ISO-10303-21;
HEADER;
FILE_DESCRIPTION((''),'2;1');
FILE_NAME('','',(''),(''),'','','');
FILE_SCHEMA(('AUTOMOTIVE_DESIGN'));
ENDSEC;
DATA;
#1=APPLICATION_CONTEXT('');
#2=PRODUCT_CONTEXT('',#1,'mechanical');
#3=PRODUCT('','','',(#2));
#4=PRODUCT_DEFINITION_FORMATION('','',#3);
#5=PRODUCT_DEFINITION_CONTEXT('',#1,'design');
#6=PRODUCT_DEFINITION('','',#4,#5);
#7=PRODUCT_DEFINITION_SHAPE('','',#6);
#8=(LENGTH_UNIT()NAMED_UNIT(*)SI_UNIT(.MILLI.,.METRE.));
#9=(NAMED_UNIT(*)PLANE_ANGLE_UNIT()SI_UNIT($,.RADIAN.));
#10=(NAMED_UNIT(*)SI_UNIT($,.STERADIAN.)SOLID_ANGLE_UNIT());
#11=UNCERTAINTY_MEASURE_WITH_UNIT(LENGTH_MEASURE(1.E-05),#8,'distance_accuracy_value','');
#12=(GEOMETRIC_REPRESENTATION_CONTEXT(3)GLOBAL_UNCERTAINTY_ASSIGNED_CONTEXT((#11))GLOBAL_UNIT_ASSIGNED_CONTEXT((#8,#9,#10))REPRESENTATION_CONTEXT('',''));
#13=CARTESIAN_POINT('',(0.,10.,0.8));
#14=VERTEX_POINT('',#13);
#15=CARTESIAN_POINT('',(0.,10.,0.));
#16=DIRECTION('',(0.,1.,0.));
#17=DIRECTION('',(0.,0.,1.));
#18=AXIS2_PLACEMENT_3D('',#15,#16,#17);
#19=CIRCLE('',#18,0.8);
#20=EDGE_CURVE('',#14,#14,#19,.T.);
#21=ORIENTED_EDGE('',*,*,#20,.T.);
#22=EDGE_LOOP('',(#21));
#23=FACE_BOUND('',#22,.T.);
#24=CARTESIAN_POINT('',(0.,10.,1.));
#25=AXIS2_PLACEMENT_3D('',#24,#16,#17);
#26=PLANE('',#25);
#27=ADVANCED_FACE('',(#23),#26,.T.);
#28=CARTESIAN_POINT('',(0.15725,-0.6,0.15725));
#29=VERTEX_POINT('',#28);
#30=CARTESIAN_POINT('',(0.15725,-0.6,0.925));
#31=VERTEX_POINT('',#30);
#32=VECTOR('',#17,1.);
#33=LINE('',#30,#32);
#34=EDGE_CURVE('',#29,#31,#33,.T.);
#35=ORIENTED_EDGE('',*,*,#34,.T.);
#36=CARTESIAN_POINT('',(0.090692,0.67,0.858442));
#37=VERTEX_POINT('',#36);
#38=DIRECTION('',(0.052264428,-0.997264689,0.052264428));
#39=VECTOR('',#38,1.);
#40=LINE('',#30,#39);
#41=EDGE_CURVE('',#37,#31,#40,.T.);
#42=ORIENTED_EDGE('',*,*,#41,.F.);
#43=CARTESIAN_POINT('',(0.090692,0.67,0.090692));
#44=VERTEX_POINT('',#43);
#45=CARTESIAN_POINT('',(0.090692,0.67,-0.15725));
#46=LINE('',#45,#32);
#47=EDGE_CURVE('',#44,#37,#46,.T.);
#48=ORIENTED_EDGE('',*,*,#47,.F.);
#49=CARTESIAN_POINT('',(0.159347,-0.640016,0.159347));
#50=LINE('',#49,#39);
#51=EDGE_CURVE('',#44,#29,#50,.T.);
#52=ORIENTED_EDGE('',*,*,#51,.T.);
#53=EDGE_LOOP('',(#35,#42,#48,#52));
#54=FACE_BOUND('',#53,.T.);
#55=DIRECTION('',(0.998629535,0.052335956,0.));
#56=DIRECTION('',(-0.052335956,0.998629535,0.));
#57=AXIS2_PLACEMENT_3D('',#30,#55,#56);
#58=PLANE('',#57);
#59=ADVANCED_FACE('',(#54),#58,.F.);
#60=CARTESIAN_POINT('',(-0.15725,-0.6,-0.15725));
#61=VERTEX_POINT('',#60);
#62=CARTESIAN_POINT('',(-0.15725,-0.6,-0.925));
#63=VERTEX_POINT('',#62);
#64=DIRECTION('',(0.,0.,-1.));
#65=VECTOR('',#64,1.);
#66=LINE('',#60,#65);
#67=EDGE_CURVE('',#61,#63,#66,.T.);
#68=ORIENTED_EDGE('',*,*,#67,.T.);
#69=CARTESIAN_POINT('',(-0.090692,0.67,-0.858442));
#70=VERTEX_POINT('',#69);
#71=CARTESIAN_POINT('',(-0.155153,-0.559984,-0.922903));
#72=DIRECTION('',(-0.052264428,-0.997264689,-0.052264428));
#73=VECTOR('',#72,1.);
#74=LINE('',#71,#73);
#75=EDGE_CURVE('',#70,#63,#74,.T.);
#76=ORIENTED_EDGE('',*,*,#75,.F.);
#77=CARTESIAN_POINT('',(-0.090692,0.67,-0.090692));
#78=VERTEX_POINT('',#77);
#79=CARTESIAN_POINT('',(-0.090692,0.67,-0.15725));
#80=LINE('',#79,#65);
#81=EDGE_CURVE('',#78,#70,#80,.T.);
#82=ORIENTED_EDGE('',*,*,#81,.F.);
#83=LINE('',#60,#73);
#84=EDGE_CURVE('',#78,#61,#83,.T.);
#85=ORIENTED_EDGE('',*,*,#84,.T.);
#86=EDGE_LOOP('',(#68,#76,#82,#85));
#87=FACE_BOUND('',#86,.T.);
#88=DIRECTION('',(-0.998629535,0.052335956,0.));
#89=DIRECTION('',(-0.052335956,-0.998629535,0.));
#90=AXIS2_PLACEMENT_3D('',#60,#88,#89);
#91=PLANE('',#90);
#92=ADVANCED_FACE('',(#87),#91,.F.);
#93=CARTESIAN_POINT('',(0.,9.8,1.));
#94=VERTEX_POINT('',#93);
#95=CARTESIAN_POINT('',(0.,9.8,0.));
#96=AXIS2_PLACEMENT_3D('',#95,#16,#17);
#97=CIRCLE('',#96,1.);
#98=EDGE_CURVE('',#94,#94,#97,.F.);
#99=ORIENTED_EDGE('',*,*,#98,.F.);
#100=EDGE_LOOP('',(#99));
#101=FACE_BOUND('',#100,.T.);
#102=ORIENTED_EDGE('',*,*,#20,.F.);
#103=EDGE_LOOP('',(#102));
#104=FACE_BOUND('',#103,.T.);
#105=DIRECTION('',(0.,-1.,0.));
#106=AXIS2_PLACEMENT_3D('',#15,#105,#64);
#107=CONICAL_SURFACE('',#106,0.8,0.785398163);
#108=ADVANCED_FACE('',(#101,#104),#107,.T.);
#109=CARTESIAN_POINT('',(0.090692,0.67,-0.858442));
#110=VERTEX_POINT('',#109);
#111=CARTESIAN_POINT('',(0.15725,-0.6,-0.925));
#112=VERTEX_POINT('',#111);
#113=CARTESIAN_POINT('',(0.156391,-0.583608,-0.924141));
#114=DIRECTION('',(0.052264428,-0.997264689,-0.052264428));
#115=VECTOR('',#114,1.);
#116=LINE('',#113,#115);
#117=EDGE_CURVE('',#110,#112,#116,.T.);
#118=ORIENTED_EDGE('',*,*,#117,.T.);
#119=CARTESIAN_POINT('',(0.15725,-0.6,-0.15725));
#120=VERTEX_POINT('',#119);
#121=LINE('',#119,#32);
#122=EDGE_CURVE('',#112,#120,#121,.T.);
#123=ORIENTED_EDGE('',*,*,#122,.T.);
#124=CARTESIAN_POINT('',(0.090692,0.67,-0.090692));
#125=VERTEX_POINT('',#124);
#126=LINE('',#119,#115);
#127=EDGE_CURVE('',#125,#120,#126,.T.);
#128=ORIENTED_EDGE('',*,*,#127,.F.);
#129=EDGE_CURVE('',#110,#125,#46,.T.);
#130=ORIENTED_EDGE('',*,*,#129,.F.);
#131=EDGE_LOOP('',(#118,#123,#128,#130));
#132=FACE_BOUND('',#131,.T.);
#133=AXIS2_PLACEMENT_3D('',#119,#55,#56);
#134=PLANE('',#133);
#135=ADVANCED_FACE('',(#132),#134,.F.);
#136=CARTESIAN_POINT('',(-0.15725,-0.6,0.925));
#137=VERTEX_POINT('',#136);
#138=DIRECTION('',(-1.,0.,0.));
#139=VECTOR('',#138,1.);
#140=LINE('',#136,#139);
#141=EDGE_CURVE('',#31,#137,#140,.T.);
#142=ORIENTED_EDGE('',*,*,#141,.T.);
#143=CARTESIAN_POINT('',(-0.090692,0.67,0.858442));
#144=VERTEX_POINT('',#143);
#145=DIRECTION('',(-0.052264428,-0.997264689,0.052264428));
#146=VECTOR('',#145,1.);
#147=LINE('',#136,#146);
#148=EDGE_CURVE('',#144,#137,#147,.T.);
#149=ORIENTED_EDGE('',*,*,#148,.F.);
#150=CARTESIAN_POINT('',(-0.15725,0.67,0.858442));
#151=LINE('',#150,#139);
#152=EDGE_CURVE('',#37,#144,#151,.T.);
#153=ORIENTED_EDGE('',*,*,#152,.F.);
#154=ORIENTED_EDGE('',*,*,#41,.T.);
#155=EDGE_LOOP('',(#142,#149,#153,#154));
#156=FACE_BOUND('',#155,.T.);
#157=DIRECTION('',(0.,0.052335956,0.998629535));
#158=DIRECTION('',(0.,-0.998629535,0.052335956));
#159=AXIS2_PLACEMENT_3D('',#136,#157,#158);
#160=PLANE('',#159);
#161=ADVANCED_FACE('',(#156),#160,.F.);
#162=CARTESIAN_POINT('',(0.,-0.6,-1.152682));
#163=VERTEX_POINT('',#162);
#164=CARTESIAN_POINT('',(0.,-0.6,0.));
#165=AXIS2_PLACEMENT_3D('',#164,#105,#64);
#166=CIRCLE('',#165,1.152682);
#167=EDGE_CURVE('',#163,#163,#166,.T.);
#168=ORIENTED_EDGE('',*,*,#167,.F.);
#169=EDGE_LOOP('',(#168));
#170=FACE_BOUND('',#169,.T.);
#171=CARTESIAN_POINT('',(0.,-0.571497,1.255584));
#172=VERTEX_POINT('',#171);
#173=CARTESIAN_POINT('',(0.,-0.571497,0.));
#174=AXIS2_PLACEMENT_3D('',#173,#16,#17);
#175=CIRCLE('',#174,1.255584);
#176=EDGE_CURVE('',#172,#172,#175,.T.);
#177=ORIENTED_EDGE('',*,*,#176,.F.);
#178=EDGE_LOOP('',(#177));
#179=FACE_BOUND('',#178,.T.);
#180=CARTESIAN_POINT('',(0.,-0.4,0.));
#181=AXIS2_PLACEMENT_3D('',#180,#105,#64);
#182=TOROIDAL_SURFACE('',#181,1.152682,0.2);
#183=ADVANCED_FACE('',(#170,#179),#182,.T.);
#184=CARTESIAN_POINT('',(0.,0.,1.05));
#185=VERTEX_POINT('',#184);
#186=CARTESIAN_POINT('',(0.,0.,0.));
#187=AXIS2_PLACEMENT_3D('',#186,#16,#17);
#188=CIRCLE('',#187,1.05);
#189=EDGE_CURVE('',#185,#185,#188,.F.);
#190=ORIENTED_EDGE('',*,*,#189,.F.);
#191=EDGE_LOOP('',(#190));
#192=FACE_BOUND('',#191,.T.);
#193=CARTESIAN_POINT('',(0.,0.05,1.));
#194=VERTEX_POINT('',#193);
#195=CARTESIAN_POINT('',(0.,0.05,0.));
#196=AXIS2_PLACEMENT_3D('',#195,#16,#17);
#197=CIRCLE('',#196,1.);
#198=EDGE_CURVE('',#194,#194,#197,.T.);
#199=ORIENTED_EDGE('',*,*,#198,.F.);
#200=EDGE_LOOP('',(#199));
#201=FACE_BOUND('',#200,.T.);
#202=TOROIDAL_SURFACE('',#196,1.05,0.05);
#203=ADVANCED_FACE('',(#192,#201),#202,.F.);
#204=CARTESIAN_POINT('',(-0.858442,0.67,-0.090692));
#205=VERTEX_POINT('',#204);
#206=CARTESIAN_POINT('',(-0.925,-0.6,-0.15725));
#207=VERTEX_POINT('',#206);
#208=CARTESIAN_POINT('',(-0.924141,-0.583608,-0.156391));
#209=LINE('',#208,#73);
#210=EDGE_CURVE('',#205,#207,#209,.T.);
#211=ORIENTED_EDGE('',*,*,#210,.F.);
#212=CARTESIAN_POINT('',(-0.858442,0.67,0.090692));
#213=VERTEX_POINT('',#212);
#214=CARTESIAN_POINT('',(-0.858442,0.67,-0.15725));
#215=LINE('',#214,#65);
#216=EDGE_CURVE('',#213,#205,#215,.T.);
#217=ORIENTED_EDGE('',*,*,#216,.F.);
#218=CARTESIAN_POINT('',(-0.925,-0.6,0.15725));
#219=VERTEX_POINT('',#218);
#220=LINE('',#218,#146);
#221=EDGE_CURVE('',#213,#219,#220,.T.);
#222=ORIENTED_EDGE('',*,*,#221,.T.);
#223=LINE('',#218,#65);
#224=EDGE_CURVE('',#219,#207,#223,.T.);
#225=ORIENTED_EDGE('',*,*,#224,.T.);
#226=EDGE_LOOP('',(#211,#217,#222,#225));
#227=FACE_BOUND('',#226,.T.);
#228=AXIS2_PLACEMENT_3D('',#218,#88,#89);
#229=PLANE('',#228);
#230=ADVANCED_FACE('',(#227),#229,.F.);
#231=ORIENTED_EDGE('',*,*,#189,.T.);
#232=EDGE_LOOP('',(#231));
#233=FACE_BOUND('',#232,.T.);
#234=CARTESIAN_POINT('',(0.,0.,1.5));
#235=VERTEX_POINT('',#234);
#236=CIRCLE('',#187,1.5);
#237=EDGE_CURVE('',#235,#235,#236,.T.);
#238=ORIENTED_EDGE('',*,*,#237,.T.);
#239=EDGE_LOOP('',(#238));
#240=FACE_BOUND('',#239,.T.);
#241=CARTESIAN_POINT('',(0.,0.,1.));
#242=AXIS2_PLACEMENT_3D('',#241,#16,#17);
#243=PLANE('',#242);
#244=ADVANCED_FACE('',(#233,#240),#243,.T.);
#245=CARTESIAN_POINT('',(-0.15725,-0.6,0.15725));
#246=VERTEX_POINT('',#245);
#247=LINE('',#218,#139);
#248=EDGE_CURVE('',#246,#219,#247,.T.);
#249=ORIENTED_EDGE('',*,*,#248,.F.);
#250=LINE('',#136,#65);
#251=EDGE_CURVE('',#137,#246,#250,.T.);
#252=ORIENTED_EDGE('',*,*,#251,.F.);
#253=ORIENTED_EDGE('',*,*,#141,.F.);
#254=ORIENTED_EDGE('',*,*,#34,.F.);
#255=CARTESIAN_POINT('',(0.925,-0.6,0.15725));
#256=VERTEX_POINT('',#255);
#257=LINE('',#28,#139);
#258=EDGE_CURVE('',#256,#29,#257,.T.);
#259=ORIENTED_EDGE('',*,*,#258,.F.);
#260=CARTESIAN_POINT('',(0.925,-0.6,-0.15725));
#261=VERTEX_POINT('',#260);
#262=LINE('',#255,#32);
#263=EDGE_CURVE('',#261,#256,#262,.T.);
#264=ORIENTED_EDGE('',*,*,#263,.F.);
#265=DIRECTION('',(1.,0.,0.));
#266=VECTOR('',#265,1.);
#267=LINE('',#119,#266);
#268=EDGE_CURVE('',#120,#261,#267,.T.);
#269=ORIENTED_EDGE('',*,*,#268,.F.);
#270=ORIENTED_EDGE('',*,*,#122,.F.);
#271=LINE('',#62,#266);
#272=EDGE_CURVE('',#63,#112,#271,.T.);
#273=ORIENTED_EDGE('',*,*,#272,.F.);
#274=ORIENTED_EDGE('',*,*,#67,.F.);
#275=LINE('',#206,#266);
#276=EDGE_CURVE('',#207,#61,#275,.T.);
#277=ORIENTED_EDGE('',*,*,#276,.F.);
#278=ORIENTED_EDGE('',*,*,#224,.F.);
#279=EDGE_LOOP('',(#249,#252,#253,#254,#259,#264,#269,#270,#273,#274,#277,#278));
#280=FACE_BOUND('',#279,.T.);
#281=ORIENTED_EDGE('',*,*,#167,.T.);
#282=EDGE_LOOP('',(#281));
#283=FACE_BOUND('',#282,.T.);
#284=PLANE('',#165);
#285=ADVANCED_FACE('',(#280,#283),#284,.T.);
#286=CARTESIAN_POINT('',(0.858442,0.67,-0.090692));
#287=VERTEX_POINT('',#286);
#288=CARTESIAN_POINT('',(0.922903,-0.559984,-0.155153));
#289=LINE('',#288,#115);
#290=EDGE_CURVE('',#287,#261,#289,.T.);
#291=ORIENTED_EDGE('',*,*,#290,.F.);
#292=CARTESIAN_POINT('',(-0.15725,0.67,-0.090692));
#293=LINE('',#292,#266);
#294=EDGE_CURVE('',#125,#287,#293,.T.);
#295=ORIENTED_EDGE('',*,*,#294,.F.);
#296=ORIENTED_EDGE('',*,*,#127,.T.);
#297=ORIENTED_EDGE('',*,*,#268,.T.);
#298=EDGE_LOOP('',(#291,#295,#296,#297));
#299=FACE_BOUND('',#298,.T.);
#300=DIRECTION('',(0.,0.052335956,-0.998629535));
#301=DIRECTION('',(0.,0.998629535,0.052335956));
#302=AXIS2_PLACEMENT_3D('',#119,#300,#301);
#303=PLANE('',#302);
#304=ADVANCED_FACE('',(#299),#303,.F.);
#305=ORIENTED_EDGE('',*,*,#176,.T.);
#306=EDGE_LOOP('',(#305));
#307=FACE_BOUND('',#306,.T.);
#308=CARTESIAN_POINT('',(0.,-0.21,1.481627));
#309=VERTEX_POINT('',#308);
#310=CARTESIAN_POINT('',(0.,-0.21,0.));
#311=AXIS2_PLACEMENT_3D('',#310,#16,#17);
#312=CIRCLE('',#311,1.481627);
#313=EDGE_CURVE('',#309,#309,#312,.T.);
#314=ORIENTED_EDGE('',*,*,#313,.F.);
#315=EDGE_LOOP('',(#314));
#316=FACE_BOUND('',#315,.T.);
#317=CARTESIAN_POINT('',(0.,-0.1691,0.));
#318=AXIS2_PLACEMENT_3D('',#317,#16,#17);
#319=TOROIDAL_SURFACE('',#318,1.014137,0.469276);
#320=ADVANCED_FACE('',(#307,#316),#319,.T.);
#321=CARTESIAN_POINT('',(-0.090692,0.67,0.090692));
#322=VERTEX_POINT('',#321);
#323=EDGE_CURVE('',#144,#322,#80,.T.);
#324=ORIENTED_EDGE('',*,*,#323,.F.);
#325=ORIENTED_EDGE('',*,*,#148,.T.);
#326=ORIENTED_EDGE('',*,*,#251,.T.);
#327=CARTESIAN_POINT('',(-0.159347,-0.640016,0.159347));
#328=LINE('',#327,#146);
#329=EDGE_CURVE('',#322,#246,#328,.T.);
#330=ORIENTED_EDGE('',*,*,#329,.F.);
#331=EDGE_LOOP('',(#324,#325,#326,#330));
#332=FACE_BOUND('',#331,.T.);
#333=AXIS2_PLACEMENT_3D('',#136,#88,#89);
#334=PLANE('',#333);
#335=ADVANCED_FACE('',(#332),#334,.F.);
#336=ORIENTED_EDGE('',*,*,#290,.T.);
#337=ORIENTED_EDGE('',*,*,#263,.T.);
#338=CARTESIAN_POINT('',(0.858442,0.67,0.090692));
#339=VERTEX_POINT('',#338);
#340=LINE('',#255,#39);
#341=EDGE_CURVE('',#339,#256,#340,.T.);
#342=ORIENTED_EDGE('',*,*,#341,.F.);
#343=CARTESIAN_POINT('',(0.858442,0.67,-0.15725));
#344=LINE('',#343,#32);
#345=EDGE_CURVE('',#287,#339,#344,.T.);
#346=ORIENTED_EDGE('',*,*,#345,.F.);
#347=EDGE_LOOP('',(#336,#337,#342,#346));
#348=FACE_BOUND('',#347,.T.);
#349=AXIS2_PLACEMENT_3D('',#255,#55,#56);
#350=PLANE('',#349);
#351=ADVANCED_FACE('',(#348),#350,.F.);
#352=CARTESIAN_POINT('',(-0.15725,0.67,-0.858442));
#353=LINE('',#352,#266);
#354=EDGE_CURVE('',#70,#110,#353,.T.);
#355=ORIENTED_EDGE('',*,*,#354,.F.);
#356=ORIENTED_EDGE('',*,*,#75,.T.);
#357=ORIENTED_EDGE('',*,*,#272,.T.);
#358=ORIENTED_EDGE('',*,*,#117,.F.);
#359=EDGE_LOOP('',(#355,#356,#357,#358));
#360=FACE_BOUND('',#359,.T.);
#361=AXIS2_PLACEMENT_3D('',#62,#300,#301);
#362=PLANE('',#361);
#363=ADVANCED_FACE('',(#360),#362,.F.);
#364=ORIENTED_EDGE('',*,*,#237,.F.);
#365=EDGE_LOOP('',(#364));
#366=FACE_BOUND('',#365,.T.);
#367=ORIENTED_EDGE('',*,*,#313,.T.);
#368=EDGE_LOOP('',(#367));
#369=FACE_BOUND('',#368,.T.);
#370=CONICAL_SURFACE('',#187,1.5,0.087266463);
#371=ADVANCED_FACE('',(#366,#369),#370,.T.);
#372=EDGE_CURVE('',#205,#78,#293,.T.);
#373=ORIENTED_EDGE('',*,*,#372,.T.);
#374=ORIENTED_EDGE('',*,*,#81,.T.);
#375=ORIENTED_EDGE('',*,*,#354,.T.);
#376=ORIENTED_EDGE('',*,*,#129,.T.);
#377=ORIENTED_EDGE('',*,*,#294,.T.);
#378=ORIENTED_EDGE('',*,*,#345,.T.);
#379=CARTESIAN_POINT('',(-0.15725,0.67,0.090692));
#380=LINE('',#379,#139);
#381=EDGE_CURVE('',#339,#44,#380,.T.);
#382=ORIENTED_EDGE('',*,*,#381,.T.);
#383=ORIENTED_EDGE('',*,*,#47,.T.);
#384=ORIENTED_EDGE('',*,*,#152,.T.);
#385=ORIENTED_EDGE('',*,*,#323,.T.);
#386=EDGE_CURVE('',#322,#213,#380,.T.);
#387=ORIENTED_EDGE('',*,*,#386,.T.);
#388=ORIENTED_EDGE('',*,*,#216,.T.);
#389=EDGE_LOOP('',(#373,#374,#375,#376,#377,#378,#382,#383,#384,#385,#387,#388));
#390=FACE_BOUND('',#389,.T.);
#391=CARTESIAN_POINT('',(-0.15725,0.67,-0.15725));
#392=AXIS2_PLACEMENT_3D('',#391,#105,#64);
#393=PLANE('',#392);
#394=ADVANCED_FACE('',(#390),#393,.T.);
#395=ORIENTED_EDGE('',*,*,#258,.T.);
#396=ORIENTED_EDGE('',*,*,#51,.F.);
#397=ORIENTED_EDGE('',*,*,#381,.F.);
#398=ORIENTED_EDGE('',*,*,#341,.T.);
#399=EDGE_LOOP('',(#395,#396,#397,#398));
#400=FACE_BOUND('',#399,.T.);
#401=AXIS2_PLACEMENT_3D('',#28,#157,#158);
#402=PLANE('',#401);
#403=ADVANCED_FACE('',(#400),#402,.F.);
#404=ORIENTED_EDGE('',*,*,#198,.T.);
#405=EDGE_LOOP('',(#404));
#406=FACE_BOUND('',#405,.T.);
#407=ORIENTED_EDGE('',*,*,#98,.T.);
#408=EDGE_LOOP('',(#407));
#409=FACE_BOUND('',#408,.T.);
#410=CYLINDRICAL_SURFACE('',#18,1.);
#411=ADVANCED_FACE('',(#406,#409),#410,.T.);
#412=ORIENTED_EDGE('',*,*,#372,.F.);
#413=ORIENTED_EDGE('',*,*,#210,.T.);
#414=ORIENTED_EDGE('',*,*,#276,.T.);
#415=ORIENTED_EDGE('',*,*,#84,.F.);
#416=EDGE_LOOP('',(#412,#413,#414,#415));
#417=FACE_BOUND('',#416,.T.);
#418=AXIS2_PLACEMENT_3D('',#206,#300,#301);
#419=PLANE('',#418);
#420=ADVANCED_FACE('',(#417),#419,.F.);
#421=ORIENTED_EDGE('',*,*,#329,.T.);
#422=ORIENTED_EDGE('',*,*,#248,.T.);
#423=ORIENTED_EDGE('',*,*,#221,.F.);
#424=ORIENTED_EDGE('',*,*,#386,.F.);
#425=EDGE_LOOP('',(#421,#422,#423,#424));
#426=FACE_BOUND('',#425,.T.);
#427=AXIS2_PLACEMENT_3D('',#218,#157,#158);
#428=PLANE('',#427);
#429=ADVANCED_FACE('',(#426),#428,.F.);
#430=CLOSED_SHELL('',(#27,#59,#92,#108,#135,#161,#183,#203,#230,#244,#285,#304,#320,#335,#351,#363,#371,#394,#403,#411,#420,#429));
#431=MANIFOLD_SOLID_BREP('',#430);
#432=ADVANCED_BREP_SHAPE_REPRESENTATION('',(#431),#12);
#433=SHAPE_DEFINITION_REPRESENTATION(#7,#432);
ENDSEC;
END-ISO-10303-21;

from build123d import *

# Parameters (mm, degrees)
FILLET5_R          = 0.2
CUT_EXTRUDE1_DEPTH = 1.27
CUT_EXTRUDE1_DRAFT = -3
FILLET4_R          = 0.05
CHAMFER1_SIZE      = 0.2


with BuildPart() as part:
    # Sketch1 → Revolve1 (revolve)
    with BuildSketch(Plane(origin=(0, 0, 0), x_dir=(0, 0, -1), z_dir=(1, 0, 0))):
        with BuildLine():
            Line((-1, 0), (-1, 10))
            Line((-1, 10), (0, 10))
            Line((0, 10), (0, -0.6))
            Line((0, -0.6), (-1.2, -0.6))
            ThreePointArc((-1.2, -0.6), (-1.394587635, -0.443831321), (-1.481627381, -0.21))
            Line((-1.481627381, -0.21), (-1.5, 0))
            Line((-1.5, 0), (-1, 0))
        make_face()
    revolve(axis=Axis((0, 10, 0), (0, -1, 0)))

    # Fillet5
    fillet5_edges = [part.edges().sort_by_distance(p)[0] for p in [
        (0, -0.6, -1.2),
    ]]
    fillet(fillet5_edges, radius=FILLET5_R)


with BuildPart() as cut_extrude1_tool:
    # Sketch2 → Cut-Extrude1 (with draft: the straight prism first)
    with BuildSketch(Plane.XZ.offset(0.6)):
        Polygon((0.15725, 0.15725), (0.15725, 0.925), (-0.15725, 0.925), (-0.15725, 0.15725), (-0.925, 0.15725), (-0.925, -0.15725), (-0.15725, -0.15725), (-0.15725, -0.925), (0.15725, -0.925), (0.15725, -0.15725), (0.925, -0.15725), (0.925, 0.15725), align=None)
    extrude(amount=-CUT_EXTRUDE1_DEPTH)
    # Cut-Extrude1: the draft: its side faces are tilted about the plane it starts from
    cut_extrude1_sides = [cut_extrude1_tool.faces().sort_by_distance(p)[0] for p in [
        (0.15725, 0.035, 0.541125),
        (0, 0.035, 0.925),
        (-0.15725, 0.035, 0.541125),
        (-0.541125, 0.035, 0.15725),
        (-0.925, 0.035, 0),
        (-0.541125, 0.035, -0.15725),
        (-0.15725, 0.035, -0.541125),
        (0, 0.035, -0.925),
        (0.15725, 0.035, -0.541125),
        (0.541125, 0.035, -0.15725),
        (0.925, 0.035, 0),
        (0.541125, 0.035, 0.15725),
    ]]
    draft(cut_extrude1_sides, Plane.XZ.offset(0.6), CUT_EXTRUDE1_DRAFT)


with BuildPart() as part_1:
    add(part.part)

    # Cut-Extrude1: cut by cut_extrude1_tool
    add(cut_extrude1_tool.part, mode=Mode.SUBTRACT)

    # Fillet4
    fillet4_edges = [part_1.edges().sort_by_distance(p)[0] for p in [
        (0, 0, -1),
    ]]
    fillet(fillet4_edges, radius=FILLET4_R)

    # Chamfer1
    chamfer1_edges = [part_1.edges().sort_by_distance(p)[0] for p in [
        (0, 10, -1),
    ]]
    chamfer(chamfer1_edges, length=CHAMFER1_SIZE)


solid = part_1.part
